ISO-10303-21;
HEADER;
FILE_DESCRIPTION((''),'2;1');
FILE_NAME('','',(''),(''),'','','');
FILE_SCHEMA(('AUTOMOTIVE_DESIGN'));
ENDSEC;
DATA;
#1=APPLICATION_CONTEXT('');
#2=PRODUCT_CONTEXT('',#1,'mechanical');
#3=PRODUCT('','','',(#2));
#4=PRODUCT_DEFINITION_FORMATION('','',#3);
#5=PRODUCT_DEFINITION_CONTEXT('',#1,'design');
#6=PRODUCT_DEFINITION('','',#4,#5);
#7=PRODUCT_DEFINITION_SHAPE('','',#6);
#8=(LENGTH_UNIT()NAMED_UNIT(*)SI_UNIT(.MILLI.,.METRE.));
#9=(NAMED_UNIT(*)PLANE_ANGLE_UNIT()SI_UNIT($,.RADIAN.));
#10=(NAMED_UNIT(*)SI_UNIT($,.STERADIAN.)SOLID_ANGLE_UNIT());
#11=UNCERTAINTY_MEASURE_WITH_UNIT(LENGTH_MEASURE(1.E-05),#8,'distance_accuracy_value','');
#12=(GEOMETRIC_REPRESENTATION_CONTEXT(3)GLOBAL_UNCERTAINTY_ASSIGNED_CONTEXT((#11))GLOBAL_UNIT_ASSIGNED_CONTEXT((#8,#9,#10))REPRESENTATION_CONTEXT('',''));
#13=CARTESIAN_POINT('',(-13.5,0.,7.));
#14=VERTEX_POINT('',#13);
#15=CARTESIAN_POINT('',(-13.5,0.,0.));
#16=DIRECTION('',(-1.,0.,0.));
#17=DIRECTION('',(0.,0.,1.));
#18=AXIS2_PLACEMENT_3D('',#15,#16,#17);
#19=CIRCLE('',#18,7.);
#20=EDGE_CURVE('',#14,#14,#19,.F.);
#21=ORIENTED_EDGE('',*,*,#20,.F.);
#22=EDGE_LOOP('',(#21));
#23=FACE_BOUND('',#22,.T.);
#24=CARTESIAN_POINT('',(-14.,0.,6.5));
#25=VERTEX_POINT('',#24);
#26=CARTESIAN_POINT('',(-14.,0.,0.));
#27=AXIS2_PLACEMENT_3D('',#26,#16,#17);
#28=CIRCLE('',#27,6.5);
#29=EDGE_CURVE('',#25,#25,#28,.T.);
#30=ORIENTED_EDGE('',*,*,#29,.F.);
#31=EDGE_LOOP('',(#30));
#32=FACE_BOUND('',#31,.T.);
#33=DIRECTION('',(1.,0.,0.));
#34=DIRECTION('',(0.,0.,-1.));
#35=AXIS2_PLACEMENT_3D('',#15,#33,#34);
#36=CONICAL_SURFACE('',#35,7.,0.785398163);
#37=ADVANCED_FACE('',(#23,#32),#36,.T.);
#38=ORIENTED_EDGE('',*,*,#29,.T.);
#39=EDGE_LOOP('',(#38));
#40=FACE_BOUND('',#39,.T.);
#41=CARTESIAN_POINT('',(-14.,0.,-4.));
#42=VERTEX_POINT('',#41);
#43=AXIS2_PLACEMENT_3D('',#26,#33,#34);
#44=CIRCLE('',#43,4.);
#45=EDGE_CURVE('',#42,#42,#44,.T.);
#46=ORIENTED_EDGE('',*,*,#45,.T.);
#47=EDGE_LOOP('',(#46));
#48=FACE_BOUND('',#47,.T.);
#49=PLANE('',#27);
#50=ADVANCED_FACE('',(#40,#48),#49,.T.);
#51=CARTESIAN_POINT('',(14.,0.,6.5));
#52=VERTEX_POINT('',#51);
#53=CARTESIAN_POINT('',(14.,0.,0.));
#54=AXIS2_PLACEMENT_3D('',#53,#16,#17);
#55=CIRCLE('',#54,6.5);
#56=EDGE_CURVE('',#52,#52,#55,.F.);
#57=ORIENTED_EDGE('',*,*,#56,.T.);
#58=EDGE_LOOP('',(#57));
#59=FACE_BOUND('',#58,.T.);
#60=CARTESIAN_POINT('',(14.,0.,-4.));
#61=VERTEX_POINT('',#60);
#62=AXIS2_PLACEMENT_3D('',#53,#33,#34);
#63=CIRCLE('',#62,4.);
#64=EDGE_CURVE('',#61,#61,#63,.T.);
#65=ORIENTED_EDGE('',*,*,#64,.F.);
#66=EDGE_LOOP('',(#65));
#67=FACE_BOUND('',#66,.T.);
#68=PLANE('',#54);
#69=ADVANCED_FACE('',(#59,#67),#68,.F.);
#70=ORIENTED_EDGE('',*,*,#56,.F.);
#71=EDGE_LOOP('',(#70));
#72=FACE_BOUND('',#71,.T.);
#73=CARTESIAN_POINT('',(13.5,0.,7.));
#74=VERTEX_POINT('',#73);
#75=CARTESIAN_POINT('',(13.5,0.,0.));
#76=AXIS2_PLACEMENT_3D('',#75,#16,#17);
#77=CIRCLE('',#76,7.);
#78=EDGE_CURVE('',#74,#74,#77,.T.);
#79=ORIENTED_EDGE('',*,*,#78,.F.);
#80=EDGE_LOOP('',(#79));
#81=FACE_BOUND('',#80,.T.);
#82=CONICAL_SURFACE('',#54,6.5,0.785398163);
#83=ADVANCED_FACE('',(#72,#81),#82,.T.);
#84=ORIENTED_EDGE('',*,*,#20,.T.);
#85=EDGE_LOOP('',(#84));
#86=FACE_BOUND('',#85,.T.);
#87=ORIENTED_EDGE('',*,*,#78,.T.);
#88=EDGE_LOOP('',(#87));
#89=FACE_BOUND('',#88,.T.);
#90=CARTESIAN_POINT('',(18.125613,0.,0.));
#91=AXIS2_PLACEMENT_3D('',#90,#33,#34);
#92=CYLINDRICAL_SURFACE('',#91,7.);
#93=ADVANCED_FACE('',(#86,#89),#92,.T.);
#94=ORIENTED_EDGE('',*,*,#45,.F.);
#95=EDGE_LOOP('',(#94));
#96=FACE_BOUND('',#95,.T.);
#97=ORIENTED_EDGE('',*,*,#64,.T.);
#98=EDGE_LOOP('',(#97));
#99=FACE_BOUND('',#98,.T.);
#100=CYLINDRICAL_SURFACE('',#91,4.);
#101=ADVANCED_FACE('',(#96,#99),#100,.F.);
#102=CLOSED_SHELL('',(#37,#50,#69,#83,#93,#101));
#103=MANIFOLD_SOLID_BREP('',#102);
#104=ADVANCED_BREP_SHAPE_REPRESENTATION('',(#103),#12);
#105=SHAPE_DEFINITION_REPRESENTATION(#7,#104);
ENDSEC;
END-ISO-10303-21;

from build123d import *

# Parameters (mm, degrees)
SKETCH_1_W     = 28
SKETCH_1_H     = 3
CHAMFER_1_SIZE = 0.5


with BuildPart() as part:
    # 草图1 → 旋转1 (revolve)
    with BuildSketch(Plane.XY, mode=Mode.PRIVATE) as revolve_1_sk:
        with Locations((0, 5.5)):
            Rectangle(SKETCH_1_W, SKETCH_1_H)
    revolve(revolve_1_sk.sketch.rotate(Axis((18.125613416, 0, 0), (-1, 0, 0)), 90), axis=Axis((18.125613416, 0, 0), (-1, 0, 0)))

    # 倒角1
    chamfer_1_edges = [part.edges().sort_by_distance(p)[0] for p in [
        (-14, 0, 7),
        (14, 0, 7),
    ]]
    chamfer(chamfer_1_edges, length=CHAMFER_1_SIZE)


solid = part.part
